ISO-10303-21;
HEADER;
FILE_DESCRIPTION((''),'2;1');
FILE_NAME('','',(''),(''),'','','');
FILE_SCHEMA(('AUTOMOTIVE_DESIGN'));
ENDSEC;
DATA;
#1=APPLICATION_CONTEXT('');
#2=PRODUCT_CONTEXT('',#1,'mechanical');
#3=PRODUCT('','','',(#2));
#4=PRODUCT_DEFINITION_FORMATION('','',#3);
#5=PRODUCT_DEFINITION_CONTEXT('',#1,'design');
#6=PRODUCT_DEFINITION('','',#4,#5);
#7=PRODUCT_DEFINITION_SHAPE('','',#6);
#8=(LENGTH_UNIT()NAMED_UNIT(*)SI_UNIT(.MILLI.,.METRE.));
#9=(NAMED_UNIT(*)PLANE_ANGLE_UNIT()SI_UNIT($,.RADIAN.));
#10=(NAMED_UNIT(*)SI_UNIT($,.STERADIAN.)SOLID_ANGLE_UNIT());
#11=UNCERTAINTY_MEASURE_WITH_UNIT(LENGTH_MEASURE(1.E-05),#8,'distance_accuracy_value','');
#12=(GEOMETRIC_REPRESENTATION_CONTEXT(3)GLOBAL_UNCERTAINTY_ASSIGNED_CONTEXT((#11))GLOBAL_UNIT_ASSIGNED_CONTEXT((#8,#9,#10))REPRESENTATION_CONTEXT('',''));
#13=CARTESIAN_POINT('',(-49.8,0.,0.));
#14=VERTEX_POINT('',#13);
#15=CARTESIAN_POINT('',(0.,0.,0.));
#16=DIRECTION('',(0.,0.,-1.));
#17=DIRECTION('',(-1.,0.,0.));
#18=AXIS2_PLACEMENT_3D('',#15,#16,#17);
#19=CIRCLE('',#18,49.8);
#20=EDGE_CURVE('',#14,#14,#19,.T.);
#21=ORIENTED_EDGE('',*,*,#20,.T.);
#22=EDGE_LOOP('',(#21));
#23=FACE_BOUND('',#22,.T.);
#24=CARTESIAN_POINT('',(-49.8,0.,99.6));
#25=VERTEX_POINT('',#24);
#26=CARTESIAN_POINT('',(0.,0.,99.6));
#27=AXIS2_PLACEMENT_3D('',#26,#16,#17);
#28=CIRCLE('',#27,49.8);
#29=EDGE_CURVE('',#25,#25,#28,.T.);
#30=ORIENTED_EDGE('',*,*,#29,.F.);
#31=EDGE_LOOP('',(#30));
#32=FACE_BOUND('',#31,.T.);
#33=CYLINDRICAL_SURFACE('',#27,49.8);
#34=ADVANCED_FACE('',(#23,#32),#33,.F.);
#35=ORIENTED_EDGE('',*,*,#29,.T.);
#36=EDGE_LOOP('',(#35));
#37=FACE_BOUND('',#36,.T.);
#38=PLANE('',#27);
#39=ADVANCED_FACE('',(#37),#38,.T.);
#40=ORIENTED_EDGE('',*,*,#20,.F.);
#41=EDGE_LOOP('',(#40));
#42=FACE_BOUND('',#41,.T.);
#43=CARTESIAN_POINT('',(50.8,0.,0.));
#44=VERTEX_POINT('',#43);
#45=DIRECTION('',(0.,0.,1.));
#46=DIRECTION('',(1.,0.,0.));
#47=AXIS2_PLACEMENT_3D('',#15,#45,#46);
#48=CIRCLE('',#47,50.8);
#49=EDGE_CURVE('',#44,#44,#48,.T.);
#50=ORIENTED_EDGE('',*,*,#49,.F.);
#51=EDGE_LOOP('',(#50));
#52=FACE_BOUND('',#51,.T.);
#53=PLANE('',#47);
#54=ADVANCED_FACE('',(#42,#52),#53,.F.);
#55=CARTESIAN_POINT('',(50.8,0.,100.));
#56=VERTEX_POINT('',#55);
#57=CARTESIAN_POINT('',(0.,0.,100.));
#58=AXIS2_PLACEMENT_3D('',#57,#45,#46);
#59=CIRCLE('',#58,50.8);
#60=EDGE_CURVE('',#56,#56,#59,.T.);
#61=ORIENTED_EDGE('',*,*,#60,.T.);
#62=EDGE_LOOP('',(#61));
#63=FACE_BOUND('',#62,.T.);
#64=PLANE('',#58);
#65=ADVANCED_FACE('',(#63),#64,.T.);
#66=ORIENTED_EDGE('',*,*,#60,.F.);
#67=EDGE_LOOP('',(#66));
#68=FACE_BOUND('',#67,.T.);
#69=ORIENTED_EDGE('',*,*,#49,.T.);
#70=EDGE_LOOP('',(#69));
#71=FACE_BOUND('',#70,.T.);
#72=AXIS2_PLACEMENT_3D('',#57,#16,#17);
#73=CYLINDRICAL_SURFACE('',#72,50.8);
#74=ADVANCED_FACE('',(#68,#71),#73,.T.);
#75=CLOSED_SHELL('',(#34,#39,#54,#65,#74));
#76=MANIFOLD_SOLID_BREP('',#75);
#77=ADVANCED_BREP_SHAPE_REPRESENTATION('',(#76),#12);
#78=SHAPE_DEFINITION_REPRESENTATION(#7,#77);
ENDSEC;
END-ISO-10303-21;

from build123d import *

# Parameters (mm, degrees)
ESBO_O1_R                = 50.8
RESSALTO_EXTRUS_O1_DEPTH = 100
ESBO_O2_R                = 49.8
CORTE_EXTRUS_O1_DEPTH    = 99.6


with BuildPart() as part:
    # Esboço1 → Ressalto-extrusão1 (new body)
    with BuildSketch(Plane.XY):
        Circle(ESBO_O1_R)
    extrude(amount=RESSALTO_EXTRUS_O1_DEPTH)

    # Esboço2 → Corte-extrusão1 (cut)
    with BuildSketch(Plane(origin=(0, 0, 0), x_dir=(-1, 0, 0), z_dir=(0, 0, -1))):
        Circle(ESBO_O2_R)
    extrude(amount=-CORTE_EXTRUS_O1_DEPTH, mode=Mode.SUBTRACT)


solid = part.part
